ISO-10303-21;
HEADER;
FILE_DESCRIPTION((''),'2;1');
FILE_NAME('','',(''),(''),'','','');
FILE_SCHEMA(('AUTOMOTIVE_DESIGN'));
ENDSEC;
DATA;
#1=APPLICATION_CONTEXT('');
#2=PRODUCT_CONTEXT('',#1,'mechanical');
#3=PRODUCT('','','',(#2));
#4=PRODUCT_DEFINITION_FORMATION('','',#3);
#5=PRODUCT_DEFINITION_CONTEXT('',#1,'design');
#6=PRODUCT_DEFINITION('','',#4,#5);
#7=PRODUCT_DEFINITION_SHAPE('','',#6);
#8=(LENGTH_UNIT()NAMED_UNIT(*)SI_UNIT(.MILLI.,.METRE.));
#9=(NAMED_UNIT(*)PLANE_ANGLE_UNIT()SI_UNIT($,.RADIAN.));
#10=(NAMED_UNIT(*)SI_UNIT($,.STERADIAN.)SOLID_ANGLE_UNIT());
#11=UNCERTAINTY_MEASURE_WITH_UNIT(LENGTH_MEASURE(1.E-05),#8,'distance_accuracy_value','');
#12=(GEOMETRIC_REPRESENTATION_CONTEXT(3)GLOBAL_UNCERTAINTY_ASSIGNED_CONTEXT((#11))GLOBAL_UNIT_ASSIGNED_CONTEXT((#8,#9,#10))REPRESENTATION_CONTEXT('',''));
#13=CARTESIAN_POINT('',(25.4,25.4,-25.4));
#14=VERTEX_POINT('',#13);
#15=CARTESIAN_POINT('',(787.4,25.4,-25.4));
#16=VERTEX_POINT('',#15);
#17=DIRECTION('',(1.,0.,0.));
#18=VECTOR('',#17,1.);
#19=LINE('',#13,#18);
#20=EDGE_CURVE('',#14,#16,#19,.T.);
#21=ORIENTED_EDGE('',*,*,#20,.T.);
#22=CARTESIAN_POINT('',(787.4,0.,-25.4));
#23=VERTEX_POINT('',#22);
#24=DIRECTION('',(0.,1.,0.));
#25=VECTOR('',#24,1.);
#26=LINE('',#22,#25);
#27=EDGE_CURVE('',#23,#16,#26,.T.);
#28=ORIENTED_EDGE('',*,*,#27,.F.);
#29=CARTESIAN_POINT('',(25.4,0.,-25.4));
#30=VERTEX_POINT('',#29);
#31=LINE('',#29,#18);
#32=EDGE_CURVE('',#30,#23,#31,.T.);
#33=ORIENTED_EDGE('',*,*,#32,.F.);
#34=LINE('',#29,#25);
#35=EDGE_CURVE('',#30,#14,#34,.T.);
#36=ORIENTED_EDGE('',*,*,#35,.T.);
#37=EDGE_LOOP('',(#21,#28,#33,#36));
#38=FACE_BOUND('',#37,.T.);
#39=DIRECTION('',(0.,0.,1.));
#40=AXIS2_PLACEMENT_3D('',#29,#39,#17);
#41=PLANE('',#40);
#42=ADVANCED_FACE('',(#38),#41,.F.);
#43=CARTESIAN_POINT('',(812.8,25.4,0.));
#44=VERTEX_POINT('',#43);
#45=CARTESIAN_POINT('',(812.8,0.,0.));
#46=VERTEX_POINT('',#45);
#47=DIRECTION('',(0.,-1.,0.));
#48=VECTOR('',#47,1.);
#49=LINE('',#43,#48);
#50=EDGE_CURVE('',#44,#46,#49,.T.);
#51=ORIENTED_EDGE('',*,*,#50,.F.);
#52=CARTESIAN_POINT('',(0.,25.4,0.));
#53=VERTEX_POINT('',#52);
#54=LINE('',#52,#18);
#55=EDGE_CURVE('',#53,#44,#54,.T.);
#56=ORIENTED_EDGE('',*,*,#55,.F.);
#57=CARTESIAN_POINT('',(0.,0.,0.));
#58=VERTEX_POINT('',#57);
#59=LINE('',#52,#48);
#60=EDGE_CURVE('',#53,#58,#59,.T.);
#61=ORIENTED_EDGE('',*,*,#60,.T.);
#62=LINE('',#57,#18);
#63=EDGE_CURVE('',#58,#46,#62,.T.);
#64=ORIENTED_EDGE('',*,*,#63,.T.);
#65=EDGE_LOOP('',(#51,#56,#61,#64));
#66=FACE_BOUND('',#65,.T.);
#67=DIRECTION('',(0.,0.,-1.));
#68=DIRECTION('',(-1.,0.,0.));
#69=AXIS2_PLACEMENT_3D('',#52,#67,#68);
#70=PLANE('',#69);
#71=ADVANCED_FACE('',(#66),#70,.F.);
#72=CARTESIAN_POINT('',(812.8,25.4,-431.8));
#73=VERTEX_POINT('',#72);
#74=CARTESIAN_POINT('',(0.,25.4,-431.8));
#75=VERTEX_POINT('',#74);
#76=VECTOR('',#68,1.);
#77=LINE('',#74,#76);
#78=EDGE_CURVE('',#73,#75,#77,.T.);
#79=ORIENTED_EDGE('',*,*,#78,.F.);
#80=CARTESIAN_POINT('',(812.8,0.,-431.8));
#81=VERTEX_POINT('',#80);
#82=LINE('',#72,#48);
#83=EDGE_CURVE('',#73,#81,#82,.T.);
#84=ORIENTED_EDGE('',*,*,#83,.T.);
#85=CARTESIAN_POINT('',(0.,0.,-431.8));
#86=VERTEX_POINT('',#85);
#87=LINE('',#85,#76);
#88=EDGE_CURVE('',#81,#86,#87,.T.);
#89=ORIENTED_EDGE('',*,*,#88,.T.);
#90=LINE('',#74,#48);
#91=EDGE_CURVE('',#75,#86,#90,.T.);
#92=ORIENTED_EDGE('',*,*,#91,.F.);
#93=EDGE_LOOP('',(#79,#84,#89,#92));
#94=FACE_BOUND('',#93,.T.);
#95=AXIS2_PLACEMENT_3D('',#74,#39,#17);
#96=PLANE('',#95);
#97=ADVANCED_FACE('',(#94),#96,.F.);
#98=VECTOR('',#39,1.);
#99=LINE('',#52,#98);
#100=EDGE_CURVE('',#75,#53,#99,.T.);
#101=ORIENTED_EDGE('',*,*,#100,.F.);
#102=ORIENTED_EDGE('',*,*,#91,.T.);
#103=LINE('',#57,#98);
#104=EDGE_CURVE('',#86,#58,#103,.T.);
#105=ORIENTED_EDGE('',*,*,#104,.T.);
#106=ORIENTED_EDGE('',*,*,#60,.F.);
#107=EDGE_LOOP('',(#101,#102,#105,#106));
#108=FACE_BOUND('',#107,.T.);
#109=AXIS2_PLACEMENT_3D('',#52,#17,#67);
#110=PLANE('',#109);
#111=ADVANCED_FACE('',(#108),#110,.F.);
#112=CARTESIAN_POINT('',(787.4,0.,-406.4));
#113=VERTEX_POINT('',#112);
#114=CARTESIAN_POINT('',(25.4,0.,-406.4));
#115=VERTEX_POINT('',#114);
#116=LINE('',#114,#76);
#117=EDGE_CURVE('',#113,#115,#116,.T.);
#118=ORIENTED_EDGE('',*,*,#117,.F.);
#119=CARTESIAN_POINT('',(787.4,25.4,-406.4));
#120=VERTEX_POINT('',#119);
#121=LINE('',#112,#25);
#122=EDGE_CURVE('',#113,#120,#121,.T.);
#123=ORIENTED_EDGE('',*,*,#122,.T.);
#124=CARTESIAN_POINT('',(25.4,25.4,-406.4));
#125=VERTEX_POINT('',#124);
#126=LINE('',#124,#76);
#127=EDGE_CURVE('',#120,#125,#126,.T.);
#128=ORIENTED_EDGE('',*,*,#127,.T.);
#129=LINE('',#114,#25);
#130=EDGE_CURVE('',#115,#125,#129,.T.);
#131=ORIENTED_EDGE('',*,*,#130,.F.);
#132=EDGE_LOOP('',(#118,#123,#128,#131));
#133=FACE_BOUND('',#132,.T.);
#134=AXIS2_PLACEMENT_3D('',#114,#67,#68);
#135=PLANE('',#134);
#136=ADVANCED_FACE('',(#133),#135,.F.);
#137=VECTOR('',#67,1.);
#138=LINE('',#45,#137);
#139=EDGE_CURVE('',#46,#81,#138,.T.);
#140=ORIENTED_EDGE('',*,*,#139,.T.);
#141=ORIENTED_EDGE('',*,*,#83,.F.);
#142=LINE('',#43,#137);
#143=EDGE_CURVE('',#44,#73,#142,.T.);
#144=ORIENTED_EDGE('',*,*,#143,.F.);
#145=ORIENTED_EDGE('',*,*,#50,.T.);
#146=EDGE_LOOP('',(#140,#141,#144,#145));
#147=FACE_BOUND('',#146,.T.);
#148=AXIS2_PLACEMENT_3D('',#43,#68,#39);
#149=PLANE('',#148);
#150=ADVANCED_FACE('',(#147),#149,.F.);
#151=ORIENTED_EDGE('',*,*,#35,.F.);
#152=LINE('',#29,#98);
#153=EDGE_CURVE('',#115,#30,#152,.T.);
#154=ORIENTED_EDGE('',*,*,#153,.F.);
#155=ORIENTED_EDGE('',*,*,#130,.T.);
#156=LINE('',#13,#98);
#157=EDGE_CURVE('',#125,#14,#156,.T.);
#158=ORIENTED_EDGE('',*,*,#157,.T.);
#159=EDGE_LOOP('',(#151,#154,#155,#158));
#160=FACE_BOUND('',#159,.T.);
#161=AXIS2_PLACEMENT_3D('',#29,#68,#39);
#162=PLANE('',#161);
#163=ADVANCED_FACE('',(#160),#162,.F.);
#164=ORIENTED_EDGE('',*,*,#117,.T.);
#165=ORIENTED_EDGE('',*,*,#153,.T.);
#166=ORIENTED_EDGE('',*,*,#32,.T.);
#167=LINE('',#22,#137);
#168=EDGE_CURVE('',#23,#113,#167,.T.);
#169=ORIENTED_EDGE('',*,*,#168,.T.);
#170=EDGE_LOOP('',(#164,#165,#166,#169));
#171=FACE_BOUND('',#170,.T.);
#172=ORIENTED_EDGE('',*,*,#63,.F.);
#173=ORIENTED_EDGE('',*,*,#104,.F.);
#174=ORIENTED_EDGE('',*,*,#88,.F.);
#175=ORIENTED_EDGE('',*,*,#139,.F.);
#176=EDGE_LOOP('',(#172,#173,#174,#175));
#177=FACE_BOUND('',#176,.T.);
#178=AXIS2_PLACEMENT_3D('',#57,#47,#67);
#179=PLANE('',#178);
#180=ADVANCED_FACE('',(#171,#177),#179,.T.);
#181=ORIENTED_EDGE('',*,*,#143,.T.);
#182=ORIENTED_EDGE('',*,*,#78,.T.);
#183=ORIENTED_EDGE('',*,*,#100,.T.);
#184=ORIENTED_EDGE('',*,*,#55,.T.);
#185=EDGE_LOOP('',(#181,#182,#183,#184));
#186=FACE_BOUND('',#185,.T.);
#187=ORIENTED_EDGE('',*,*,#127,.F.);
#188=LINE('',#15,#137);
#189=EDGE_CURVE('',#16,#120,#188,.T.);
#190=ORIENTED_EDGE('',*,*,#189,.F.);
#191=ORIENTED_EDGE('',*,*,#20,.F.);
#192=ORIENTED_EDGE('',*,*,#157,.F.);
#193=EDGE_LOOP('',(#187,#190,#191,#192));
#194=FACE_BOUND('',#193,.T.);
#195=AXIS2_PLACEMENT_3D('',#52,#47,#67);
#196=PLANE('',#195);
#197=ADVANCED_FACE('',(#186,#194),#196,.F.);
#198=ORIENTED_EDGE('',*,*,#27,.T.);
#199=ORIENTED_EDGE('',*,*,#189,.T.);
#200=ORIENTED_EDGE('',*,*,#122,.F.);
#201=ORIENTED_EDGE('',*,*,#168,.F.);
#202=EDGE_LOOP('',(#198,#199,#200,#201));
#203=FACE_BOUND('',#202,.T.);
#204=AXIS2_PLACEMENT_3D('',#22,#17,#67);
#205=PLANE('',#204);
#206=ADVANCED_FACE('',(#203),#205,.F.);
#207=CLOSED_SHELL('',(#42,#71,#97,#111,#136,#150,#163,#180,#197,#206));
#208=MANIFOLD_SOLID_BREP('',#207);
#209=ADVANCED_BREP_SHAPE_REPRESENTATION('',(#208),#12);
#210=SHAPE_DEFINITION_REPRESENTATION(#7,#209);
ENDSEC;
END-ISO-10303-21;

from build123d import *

# Parameters (mm, degrees)
SKETCH1_W           = 812.8
SKETCH1_H           = 431.8
BOSS_EXTRUDE1_DEPTH = 25.4
SKETCH2_W           = 762
SKETCH2_H           = 381
CUT_EXTRUDE1_DEPTH  = 921.728103188


with BuildPart() as part:
    # Sketch1 → Boss-Extrude1 (new body)
    with BuildSketch(Plane(origin=(0, 0, 0), x_dir=(1, 0, 0), z_dir=(0, 1, 0))):
        with Locations((406.4, 215.9)):
            Rectangle(SKETCH1_W, SKETCH1_H)
    extrude(amount=BOSS_EXTRUDE1_DEPTH)

    # Sketch2 → Cut-Extrude1 (cut, through all)
    with BuildSketch(Plane(origin=(0, 25.4, 0), x_dir=(1, 0, 0), z_dir=(0, 1, 0))):
        with Locations((406.4, 215.9)):
            Rectangle(SKETCH2_W, SKETCH2_H)
    extrude(amount=-CUT_EXTRUDE1_DEPTH, mode=Mode.SUBTRACT)


solid = part.part
